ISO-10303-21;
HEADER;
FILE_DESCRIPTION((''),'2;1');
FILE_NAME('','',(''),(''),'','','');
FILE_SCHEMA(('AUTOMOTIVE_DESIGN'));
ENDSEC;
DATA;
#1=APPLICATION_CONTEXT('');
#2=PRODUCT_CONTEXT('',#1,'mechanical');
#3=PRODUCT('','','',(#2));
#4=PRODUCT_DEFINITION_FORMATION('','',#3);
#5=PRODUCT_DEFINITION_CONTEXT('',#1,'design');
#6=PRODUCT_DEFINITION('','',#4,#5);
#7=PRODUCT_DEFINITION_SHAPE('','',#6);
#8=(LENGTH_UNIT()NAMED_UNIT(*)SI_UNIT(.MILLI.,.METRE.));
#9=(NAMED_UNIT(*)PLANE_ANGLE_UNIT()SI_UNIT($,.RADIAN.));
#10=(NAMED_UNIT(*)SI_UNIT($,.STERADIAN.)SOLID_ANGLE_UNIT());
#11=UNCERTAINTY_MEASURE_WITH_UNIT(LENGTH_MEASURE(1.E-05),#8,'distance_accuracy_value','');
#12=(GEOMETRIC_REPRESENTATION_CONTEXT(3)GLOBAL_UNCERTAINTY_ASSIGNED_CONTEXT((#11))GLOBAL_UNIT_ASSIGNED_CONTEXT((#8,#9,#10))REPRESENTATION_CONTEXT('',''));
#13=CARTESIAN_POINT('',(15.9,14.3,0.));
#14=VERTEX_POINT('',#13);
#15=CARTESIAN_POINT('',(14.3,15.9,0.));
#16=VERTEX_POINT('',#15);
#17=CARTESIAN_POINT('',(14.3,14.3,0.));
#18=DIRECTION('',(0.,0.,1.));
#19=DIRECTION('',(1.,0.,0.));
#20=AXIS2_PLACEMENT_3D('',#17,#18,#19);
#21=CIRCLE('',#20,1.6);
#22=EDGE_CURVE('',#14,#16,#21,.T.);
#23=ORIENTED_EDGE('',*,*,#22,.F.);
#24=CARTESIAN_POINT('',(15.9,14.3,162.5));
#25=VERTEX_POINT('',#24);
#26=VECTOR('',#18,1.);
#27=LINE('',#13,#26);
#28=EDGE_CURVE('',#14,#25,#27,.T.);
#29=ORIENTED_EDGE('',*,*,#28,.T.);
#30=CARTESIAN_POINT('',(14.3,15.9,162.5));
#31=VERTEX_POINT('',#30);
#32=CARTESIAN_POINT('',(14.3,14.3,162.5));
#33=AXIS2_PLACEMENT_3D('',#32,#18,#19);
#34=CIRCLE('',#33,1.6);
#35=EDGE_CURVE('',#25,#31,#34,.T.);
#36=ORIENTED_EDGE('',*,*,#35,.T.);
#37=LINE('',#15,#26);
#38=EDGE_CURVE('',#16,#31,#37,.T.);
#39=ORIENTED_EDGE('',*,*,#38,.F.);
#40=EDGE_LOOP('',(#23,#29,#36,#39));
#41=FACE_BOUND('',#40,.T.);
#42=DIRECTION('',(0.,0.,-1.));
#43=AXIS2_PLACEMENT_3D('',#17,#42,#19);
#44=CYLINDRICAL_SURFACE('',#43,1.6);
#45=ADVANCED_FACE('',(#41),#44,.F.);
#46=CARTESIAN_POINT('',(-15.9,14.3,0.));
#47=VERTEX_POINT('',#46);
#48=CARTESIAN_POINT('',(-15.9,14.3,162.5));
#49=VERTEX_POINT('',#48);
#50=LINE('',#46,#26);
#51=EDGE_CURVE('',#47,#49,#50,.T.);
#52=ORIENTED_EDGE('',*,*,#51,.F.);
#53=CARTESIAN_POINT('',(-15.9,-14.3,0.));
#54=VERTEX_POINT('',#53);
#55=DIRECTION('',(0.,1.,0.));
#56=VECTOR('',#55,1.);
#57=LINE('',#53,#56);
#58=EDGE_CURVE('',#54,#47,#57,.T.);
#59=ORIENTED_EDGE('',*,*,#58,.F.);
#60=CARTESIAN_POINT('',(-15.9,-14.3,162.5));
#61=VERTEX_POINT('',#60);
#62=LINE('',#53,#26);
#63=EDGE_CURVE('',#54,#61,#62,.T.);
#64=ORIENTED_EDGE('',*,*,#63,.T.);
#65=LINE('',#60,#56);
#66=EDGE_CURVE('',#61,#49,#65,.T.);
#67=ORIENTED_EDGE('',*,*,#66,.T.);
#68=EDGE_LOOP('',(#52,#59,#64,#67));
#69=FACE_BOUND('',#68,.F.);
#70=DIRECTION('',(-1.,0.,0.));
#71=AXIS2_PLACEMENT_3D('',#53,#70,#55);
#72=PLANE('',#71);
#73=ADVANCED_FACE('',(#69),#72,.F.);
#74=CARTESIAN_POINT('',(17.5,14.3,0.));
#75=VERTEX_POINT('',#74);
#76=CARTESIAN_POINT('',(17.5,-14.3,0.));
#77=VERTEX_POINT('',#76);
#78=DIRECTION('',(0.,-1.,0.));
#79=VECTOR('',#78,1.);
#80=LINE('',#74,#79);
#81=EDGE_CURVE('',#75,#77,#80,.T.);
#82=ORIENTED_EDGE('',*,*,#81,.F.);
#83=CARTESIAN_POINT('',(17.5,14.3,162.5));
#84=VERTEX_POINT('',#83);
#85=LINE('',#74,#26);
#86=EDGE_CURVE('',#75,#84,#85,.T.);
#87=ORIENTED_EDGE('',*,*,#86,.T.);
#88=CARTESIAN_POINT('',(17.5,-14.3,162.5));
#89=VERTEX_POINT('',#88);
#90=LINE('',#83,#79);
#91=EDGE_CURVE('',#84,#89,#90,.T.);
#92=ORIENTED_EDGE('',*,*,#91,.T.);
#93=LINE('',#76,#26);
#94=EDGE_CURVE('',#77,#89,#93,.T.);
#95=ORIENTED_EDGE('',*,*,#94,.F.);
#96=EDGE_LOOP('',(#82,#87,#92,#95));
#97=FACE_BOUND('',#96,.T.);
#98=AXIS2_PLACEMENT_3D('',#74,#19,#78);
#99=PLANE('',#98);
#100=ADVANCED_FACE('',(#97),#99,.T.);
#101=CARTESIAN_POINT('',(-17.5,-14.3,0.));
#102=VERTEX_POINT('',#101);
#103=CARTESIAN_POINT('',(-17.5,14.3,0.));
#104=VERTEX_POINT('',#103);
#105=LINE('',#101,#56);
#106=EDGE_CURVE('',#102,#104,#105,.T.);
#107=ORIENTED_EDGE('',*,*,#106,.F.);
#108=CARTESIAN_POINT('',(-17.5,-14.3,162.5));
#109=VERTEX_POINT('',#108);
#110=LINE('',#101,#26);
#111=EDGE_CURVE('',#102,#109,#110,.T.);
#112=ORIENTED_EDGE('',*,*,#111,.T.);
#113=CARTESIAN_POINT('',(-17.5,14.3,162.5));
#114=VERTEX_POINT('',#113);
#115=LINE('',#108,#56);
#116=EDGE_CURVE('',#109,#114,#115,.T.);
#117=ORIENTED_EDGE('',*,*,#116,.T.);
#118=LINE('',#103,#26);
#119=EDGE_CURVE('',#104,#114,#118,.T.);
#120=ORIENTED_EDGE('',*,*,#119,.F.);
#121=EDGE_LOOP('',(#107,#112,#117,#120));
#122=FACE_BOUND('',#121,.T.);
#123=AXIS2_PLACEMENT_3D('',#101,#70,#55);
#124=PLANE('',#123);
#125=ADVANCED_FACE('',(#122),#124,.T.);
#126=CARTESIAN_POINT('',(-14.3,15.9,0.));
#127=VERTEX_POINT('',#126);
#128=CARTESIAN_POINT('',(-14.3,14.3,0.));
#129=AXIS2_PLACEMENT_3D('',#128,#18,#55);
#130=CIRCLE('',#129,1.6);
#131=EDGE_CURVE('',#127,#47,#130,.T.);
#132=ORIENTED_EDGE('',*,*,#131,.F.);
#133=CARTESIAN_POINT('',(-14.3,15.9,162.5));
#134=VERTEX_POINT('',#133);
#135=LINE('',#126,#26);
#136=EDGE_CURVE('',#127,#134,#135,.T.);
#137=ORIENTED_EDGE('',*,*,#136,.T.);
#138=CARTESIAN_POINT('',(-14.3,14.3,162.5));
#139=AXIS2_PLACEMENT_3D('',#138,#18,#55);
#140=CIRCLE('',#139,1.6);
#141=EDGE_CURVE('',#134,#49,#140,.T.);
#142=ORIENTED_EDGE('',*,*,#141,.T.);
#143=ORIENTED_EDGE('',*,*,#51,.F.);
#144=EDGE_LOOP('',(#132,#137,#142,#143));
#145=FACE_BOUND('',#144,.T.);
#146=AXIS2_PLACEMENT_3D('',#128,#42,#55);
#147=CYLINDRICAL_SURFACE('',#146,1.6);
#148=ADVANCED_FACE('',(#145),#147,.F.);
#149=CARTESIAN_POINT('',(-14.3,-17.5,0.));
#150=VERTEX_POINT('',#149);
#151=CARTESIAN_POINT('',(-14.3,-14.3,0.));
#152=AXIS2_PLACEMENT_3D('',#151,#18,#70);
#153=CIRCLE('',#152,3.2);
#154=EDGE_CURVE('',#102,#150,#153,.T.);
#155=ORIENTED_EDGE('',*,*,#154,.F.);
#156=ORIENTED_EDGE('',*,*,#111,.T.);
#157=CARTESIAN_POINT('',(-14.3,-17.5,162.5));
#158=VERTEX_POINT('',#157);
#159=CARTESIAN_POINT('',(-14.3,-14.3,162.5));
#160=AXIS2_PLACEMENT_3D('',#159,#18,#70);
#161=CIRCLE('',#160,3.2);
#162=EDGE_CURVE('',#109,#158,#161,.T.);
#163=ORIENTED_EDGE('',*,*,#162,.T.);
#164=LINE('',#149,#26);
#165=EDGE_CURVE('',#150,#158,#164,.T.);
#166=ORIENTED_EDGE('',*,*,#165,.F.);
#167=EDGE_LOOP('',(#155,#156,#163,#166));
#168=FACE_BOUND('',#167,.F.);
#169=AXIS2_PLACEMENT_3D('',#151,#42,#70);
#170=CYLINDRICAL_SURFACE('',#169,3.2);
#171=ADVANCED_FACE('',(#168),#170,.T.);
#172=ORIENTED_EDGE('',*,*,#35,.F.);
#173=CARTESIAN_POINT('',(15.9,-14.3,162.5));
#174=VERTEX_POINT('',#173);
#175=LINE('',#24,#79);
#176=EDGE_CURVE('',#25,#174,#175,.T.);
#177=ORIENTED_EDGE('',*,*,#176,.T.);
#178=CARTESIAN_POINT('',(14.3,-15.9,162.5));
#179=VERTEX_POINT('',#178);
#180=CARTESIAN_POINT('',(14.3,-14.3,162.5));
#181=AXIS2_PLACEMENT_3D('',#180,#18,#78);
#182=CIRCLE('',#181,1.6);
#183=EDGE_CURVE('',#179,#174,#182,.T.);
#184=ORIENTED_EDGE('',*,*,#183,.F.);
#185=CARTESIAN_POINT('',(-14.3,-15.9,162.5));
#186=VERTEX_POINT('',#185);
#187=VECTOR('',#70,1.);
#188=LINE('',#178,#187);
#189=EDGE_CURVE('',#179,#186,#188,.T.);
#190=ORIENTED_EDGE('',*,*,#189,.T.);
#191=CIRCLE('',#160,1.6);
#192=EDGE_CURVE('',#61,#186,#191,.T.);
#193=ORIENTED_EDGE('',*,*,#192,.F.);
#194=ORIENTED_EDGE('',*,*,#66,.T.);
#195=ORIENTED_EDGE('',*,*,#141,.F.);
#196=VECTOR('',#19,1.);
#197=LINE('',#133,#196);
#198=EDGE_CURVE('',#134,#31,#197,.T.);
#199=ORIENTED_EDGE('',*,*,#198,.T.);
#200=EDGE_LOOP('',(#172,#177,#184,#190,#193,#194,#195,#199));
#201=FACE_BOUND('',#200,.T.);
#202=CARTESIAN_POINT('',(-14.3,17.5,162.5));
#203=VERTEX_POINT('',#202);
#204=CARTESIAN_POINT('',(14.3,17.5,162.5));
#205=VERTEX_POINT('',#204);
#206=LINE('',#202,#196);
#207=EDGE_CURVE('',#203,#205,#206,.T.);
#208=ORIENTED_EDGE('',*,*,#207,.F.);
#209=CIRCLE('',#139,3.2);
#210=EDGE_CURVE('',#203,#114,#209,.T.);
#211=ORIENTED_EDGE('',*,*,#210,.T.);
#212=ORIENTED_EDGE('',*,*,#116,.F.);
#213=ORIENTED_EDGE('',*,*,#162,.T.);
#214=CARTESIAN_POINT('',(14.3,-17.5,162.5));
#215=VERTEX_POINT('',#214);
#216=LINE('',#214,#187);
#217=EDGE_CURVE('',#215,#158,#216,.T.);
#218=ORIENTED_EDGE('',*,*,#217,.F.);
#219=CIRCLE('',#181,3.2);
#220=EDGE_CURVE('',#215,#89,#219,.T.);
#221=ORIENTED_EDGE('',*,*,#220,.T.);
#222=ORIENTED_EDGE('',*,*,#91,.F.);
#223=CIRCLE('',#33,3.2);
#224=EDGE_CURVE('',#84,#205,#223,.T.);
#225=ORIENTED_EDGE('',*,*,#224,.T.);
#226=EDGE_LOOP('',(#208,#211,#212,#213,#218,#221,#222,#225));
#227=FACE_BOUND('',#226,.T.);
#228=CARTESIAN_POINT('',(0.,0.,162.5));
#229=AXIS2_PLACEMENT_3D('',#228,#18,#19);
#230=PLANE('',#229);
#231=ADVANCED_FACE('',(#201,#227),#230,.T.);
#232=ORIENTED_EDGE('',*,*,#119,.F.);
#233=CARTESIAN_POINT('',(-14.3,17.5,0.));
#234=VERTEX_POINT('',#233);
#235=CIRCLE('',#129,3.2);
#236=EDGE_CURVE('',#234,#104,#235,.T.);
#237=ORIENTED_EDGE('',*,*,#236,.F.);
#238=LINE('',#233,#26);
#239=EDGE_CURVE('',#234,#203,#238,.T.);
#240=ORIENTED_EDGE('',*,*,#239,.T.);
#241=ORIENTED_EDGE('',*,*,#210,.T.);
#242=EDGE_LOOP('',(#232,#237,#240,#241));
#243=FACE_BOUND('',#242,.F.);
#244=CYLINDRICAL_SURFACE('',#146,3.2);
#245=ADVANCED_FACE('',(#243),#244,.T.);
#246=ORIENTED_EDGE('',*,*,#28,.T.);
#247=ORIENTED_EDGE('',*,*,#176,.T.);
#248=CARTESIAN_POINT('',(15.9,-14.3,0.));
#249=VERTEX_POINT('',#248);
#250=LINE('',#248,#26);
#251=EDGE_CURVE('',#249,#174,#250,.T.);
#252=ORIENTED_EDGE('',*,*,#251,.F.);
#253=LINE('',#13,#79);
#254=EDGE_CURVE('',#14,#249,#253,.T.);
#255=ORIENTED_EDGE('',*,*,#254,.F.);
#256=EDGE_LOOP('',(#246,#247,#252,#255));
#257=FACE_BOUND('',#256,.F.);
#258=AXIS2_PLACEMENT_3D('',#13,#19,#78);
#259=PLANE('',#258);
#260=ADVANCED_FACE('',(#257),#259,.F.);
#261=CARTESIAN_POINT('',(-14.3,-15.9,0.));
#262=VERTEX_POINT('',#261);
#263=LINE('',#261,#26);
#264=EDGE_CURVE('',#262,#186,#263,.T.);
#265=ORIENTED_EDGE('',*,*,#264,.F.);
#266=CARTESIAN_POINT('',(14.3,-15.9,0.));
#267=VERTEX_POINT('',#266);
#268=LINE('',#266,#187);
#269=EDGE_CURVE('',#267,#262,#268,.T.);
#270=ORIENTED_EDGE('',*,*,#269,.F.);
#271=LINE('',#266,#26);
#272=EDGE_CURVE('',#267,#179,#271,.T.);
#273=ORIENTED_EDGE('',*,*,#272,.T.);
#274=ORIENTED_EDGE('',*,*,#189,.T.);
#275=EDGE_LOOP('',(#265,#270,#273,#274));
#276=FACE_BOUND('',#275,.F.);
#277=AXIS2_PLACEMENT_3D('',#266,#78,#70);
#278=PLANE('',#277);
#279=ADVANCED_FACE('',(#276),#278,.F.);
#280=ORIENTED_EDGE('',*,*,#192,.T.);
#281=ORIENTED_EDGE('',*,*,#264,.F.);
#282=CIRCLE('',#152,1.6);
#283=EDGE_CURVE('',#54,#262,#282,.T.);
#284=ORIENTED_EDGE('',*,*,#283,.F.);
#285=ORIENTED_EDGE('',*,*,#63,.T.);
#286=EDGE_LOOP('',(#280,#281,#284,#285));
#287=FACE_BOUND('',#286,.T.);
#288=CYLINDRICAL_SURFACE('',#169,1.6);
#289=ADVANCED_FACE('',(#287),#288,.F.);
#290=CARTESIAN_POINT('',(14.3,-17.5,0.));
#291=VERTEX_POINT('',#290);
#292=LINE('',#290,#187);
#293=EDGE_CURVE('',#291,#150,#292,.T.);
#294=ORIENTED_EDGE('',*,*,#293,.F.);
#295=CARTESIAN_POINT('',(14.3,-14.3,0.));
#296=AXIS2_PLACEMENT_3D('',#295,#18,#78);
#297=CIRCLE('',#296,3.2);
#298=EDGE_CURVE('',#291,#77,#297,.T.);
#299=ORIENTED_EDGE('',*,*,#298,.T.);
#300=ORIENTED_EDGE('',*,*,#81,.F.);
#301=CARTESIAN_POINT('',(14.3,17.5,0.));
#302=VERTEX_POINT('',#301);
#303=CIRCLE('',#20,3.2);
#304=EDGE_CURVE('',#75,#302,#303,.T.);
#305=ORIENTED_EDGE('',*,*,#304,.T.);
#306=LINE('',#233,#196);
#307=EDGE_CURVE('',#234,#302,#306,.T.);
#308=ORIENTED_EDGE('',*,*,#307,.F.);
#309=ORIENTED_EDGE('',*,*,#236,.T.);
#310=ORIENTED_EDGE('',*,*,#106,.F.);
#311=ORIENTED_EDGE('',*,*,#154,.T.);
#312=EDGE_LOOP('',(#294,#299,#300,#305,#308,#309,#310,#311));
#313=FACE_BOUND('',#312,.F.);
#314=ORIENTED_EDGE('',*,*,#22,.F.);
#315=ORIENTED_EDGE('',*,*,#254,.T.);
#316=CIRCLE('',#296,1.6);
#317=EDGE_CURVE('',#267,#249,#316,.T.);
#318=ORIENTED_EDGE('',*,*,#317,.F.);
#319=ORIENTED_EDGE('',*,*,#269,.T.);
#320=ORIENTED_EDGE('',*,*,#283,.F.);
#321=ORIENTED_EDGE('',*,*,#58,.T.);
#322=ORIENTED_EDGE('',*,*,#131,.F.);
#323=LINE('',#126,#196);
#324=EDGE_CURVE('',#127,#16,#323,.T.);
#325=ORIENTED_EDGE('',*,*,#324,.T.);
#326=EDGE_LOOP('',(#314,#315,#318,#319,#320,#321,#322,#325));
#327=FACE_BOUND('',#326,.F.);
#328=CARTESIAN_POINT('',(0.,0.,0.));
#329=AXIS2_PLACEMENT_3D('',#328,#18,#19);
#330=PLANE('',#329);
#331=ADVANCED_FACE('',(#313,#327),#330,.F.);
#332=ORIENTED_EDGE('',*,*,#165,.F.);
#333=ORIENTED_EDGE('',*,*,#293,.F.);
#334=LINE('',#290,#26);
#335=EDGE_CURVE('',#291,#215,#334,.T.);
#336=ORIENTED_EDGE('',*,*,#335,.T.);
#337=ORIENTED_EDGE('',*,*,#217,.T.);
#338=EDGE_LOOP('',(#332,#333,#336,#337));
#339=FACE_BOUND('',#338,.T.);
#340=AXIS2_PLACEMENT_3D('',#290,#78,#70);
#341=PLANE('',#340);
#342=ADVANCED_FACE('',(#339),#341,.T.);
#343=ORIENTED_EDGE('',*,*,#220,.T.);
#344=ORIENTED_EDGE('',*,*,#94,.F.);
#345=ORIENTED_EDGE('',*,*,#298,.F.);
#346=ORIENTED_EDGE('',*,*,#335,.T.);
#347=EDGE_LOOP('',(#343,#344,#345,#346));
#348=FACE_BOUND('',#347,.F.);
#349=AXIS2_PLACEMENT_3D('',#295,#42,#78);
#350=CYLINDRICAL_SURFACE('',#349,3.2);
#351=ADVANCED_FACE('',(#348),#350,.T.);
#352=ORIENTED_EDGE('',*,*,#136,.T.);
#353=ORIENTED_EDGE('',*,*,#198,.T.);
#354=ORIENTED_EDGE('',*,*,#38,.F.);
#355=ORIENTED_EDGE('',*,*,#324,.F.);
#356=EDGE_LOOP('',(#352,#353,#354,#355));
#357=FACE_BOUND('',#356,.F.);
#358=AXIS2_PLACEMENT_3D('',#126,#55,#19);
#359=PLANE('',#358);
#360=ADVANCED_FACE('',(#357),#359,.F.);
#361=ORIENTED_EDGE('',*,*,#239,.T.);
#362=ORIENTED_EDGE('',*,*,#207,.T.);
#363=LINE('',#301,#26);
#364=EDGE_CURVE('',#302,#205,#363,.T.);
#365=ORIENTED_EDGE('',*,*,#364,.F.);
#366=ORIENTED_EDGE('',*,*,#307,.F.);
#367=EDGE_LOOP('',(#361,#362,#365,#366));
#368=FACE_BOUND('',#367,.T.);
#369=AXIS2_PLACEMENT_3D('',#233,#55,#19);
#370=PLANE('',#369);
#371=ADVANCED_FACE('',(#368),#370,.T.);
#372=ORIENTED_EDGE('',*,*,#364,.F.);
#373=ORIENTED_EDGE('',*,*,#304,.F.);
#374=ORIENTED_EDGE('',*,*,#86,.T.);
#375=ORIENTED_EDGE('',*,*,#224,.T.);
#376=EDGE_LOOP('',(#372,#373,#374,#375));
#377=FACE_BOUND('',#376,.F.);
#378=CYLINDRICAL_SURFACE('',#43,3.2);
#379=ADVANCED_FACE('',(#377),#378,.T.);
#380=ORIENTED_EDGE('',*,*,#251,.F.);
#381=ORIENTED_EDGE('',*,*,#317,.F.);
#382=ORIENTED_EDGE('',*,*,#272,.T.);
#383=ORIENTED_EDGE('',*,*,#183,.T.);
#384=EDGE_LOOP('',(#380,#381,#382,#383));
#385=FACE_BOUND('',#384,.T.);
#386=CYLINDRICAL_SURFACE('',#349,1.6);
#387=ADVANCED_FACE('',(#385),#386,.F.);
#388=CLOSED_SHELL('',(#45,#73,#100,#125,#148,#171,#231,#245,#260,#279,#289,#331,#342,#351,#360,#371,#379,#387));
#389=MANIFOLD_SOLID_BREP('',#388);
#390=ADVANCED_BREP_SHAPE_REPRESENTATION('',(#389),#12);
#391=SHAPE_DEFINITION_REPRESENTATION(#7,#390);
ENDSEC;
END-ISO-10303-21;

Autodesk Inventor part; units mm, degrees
ref_plane "Start plane" through (0, 0, 0) normal (0, 0, 1) x (1, 0, 0)
ref_plane "End plane" through (0, 0, 162.5) normal (0, 0, 1) x (1, 0, 0)
sketch "Sketch" plane through (0, 0, 0) normal (0, 0, 1) x (1, 0, 0)
  line L0 (-17.5, -14.3) -> (-17.5, 14.3)
  line L1 (-14.3, 17.5) -> (14.3, 17.5)
  line L2 (17.5, 14.3) -> (17.5, -14.3)
  line L3 (14.3, -17.5) -> (-14.3, -17.5)
  arc A0 (-17.5, -14.3) -> (-14.3, -17.5) centre (-14.3, -14.3) ccw
  arc A1 (-14.3, 17.5) -> (-17.5, 14.3) centre (-14.3, 14.3) ccw
  arc A2 (17.5, 14.3) -> (14.3, 17.5) centre (14.3, 14.3) ccw
  arc A3 (14.3, -17.5) -> (17.5, -14.3) centre (14.3, -14.3) ccw
  arc A4 (-14.3, 15.9) -> (-15.9, 14.3) centre (-14.3, 14.3) ccw
  line L4 (-14.3, 15.9) -> (14.3, 15.9)
  arc A5 (15.9, 14.3) -> (14.3, 15.9) centre (14.3, 14.3) ccw
  line L5 (15.9, 14.3) -> (15.9, -14.3)
  arc A6 (14.3, -15.9) -> (15.9, -14.3) centre (14.3, -14.3) ccw
  line L6 (14.3, -15.9) -> (-14.3, -15.9)
  arc A7 (-15.9, -14.3) -> (-14.3, -15.9) centre (-14.3, -14.3) ccw
  line L7 (-15.9, -14.3) -> (-15.9, 14.3)
  line L8 (0, 25.4278) -> (0, -25.4278) construction
  line L9 (-25.4278, 0) -> (25.4278, 0) construction
  dimension "d7" = 3.2
  dimension "d10" = 35
  dimension "d11" = 35
  dimension "d12" = 1.6
  dimension "d15" = 17.5
  dimension "d16" = 17.5
extrude "Body" add sketch "Sketch" along normal up to surface (162.5 mm away) from surface at 0
sketch "Sketch3" plane through (0, 0, 0) normal (0, 0, 1) x (1, 0, 0)
  line L0 (0, 0) -> (10, 0)
ref_plane "Work Plane3" through (0, 0, 0) normal (0, -1, 0) x (1, 0, 0)
sketch "Sketch4" plane through (0, 0, 0) normal (0, -1, 0) x (1, 0, 0)
  line L0 (-2, 0) -> (12, 0)
  line L1 (-2, 162.5) -> (12, 162.5)
  dimension "d18" = 162.5
ref_plane "Work Plane4" through (-730, 0, 162.5) normal (0, 0, 1) x (1, 0, 0)
split "Split1" plane through (-730, 0, 162.5) removes the side toward (0, 0, 1)
equation "\"d7\" = G_IR"
equation "\"d10\" = G_H"
equation "\"d11\" = G_W"
equation "\"d12\" = G_T"
equation "\"d15\" = 0.5 * d10"
equation "\"d16\" = 0.5 * d11"
equation "\"d3\" = G_L"
equation "\"G_W\" = 35"
equation "\"G_H\" = 35"
equation "\"G_T\" = 1.6"
equation "\"G_IR\" = 3.2"
equation "\"G_L\" = d18"
equation "\"G_OFFSET_START\" = 0"
equation "\"G_OFFSET_END\" = -17.5"
equation "\"d14\" = G_OFFSET_END + B_L"
equation "\"B_L\" = 180"
properties part number "AS C350L0 35x35x3.0 SHS 00000052" material "Steel, Mild"
